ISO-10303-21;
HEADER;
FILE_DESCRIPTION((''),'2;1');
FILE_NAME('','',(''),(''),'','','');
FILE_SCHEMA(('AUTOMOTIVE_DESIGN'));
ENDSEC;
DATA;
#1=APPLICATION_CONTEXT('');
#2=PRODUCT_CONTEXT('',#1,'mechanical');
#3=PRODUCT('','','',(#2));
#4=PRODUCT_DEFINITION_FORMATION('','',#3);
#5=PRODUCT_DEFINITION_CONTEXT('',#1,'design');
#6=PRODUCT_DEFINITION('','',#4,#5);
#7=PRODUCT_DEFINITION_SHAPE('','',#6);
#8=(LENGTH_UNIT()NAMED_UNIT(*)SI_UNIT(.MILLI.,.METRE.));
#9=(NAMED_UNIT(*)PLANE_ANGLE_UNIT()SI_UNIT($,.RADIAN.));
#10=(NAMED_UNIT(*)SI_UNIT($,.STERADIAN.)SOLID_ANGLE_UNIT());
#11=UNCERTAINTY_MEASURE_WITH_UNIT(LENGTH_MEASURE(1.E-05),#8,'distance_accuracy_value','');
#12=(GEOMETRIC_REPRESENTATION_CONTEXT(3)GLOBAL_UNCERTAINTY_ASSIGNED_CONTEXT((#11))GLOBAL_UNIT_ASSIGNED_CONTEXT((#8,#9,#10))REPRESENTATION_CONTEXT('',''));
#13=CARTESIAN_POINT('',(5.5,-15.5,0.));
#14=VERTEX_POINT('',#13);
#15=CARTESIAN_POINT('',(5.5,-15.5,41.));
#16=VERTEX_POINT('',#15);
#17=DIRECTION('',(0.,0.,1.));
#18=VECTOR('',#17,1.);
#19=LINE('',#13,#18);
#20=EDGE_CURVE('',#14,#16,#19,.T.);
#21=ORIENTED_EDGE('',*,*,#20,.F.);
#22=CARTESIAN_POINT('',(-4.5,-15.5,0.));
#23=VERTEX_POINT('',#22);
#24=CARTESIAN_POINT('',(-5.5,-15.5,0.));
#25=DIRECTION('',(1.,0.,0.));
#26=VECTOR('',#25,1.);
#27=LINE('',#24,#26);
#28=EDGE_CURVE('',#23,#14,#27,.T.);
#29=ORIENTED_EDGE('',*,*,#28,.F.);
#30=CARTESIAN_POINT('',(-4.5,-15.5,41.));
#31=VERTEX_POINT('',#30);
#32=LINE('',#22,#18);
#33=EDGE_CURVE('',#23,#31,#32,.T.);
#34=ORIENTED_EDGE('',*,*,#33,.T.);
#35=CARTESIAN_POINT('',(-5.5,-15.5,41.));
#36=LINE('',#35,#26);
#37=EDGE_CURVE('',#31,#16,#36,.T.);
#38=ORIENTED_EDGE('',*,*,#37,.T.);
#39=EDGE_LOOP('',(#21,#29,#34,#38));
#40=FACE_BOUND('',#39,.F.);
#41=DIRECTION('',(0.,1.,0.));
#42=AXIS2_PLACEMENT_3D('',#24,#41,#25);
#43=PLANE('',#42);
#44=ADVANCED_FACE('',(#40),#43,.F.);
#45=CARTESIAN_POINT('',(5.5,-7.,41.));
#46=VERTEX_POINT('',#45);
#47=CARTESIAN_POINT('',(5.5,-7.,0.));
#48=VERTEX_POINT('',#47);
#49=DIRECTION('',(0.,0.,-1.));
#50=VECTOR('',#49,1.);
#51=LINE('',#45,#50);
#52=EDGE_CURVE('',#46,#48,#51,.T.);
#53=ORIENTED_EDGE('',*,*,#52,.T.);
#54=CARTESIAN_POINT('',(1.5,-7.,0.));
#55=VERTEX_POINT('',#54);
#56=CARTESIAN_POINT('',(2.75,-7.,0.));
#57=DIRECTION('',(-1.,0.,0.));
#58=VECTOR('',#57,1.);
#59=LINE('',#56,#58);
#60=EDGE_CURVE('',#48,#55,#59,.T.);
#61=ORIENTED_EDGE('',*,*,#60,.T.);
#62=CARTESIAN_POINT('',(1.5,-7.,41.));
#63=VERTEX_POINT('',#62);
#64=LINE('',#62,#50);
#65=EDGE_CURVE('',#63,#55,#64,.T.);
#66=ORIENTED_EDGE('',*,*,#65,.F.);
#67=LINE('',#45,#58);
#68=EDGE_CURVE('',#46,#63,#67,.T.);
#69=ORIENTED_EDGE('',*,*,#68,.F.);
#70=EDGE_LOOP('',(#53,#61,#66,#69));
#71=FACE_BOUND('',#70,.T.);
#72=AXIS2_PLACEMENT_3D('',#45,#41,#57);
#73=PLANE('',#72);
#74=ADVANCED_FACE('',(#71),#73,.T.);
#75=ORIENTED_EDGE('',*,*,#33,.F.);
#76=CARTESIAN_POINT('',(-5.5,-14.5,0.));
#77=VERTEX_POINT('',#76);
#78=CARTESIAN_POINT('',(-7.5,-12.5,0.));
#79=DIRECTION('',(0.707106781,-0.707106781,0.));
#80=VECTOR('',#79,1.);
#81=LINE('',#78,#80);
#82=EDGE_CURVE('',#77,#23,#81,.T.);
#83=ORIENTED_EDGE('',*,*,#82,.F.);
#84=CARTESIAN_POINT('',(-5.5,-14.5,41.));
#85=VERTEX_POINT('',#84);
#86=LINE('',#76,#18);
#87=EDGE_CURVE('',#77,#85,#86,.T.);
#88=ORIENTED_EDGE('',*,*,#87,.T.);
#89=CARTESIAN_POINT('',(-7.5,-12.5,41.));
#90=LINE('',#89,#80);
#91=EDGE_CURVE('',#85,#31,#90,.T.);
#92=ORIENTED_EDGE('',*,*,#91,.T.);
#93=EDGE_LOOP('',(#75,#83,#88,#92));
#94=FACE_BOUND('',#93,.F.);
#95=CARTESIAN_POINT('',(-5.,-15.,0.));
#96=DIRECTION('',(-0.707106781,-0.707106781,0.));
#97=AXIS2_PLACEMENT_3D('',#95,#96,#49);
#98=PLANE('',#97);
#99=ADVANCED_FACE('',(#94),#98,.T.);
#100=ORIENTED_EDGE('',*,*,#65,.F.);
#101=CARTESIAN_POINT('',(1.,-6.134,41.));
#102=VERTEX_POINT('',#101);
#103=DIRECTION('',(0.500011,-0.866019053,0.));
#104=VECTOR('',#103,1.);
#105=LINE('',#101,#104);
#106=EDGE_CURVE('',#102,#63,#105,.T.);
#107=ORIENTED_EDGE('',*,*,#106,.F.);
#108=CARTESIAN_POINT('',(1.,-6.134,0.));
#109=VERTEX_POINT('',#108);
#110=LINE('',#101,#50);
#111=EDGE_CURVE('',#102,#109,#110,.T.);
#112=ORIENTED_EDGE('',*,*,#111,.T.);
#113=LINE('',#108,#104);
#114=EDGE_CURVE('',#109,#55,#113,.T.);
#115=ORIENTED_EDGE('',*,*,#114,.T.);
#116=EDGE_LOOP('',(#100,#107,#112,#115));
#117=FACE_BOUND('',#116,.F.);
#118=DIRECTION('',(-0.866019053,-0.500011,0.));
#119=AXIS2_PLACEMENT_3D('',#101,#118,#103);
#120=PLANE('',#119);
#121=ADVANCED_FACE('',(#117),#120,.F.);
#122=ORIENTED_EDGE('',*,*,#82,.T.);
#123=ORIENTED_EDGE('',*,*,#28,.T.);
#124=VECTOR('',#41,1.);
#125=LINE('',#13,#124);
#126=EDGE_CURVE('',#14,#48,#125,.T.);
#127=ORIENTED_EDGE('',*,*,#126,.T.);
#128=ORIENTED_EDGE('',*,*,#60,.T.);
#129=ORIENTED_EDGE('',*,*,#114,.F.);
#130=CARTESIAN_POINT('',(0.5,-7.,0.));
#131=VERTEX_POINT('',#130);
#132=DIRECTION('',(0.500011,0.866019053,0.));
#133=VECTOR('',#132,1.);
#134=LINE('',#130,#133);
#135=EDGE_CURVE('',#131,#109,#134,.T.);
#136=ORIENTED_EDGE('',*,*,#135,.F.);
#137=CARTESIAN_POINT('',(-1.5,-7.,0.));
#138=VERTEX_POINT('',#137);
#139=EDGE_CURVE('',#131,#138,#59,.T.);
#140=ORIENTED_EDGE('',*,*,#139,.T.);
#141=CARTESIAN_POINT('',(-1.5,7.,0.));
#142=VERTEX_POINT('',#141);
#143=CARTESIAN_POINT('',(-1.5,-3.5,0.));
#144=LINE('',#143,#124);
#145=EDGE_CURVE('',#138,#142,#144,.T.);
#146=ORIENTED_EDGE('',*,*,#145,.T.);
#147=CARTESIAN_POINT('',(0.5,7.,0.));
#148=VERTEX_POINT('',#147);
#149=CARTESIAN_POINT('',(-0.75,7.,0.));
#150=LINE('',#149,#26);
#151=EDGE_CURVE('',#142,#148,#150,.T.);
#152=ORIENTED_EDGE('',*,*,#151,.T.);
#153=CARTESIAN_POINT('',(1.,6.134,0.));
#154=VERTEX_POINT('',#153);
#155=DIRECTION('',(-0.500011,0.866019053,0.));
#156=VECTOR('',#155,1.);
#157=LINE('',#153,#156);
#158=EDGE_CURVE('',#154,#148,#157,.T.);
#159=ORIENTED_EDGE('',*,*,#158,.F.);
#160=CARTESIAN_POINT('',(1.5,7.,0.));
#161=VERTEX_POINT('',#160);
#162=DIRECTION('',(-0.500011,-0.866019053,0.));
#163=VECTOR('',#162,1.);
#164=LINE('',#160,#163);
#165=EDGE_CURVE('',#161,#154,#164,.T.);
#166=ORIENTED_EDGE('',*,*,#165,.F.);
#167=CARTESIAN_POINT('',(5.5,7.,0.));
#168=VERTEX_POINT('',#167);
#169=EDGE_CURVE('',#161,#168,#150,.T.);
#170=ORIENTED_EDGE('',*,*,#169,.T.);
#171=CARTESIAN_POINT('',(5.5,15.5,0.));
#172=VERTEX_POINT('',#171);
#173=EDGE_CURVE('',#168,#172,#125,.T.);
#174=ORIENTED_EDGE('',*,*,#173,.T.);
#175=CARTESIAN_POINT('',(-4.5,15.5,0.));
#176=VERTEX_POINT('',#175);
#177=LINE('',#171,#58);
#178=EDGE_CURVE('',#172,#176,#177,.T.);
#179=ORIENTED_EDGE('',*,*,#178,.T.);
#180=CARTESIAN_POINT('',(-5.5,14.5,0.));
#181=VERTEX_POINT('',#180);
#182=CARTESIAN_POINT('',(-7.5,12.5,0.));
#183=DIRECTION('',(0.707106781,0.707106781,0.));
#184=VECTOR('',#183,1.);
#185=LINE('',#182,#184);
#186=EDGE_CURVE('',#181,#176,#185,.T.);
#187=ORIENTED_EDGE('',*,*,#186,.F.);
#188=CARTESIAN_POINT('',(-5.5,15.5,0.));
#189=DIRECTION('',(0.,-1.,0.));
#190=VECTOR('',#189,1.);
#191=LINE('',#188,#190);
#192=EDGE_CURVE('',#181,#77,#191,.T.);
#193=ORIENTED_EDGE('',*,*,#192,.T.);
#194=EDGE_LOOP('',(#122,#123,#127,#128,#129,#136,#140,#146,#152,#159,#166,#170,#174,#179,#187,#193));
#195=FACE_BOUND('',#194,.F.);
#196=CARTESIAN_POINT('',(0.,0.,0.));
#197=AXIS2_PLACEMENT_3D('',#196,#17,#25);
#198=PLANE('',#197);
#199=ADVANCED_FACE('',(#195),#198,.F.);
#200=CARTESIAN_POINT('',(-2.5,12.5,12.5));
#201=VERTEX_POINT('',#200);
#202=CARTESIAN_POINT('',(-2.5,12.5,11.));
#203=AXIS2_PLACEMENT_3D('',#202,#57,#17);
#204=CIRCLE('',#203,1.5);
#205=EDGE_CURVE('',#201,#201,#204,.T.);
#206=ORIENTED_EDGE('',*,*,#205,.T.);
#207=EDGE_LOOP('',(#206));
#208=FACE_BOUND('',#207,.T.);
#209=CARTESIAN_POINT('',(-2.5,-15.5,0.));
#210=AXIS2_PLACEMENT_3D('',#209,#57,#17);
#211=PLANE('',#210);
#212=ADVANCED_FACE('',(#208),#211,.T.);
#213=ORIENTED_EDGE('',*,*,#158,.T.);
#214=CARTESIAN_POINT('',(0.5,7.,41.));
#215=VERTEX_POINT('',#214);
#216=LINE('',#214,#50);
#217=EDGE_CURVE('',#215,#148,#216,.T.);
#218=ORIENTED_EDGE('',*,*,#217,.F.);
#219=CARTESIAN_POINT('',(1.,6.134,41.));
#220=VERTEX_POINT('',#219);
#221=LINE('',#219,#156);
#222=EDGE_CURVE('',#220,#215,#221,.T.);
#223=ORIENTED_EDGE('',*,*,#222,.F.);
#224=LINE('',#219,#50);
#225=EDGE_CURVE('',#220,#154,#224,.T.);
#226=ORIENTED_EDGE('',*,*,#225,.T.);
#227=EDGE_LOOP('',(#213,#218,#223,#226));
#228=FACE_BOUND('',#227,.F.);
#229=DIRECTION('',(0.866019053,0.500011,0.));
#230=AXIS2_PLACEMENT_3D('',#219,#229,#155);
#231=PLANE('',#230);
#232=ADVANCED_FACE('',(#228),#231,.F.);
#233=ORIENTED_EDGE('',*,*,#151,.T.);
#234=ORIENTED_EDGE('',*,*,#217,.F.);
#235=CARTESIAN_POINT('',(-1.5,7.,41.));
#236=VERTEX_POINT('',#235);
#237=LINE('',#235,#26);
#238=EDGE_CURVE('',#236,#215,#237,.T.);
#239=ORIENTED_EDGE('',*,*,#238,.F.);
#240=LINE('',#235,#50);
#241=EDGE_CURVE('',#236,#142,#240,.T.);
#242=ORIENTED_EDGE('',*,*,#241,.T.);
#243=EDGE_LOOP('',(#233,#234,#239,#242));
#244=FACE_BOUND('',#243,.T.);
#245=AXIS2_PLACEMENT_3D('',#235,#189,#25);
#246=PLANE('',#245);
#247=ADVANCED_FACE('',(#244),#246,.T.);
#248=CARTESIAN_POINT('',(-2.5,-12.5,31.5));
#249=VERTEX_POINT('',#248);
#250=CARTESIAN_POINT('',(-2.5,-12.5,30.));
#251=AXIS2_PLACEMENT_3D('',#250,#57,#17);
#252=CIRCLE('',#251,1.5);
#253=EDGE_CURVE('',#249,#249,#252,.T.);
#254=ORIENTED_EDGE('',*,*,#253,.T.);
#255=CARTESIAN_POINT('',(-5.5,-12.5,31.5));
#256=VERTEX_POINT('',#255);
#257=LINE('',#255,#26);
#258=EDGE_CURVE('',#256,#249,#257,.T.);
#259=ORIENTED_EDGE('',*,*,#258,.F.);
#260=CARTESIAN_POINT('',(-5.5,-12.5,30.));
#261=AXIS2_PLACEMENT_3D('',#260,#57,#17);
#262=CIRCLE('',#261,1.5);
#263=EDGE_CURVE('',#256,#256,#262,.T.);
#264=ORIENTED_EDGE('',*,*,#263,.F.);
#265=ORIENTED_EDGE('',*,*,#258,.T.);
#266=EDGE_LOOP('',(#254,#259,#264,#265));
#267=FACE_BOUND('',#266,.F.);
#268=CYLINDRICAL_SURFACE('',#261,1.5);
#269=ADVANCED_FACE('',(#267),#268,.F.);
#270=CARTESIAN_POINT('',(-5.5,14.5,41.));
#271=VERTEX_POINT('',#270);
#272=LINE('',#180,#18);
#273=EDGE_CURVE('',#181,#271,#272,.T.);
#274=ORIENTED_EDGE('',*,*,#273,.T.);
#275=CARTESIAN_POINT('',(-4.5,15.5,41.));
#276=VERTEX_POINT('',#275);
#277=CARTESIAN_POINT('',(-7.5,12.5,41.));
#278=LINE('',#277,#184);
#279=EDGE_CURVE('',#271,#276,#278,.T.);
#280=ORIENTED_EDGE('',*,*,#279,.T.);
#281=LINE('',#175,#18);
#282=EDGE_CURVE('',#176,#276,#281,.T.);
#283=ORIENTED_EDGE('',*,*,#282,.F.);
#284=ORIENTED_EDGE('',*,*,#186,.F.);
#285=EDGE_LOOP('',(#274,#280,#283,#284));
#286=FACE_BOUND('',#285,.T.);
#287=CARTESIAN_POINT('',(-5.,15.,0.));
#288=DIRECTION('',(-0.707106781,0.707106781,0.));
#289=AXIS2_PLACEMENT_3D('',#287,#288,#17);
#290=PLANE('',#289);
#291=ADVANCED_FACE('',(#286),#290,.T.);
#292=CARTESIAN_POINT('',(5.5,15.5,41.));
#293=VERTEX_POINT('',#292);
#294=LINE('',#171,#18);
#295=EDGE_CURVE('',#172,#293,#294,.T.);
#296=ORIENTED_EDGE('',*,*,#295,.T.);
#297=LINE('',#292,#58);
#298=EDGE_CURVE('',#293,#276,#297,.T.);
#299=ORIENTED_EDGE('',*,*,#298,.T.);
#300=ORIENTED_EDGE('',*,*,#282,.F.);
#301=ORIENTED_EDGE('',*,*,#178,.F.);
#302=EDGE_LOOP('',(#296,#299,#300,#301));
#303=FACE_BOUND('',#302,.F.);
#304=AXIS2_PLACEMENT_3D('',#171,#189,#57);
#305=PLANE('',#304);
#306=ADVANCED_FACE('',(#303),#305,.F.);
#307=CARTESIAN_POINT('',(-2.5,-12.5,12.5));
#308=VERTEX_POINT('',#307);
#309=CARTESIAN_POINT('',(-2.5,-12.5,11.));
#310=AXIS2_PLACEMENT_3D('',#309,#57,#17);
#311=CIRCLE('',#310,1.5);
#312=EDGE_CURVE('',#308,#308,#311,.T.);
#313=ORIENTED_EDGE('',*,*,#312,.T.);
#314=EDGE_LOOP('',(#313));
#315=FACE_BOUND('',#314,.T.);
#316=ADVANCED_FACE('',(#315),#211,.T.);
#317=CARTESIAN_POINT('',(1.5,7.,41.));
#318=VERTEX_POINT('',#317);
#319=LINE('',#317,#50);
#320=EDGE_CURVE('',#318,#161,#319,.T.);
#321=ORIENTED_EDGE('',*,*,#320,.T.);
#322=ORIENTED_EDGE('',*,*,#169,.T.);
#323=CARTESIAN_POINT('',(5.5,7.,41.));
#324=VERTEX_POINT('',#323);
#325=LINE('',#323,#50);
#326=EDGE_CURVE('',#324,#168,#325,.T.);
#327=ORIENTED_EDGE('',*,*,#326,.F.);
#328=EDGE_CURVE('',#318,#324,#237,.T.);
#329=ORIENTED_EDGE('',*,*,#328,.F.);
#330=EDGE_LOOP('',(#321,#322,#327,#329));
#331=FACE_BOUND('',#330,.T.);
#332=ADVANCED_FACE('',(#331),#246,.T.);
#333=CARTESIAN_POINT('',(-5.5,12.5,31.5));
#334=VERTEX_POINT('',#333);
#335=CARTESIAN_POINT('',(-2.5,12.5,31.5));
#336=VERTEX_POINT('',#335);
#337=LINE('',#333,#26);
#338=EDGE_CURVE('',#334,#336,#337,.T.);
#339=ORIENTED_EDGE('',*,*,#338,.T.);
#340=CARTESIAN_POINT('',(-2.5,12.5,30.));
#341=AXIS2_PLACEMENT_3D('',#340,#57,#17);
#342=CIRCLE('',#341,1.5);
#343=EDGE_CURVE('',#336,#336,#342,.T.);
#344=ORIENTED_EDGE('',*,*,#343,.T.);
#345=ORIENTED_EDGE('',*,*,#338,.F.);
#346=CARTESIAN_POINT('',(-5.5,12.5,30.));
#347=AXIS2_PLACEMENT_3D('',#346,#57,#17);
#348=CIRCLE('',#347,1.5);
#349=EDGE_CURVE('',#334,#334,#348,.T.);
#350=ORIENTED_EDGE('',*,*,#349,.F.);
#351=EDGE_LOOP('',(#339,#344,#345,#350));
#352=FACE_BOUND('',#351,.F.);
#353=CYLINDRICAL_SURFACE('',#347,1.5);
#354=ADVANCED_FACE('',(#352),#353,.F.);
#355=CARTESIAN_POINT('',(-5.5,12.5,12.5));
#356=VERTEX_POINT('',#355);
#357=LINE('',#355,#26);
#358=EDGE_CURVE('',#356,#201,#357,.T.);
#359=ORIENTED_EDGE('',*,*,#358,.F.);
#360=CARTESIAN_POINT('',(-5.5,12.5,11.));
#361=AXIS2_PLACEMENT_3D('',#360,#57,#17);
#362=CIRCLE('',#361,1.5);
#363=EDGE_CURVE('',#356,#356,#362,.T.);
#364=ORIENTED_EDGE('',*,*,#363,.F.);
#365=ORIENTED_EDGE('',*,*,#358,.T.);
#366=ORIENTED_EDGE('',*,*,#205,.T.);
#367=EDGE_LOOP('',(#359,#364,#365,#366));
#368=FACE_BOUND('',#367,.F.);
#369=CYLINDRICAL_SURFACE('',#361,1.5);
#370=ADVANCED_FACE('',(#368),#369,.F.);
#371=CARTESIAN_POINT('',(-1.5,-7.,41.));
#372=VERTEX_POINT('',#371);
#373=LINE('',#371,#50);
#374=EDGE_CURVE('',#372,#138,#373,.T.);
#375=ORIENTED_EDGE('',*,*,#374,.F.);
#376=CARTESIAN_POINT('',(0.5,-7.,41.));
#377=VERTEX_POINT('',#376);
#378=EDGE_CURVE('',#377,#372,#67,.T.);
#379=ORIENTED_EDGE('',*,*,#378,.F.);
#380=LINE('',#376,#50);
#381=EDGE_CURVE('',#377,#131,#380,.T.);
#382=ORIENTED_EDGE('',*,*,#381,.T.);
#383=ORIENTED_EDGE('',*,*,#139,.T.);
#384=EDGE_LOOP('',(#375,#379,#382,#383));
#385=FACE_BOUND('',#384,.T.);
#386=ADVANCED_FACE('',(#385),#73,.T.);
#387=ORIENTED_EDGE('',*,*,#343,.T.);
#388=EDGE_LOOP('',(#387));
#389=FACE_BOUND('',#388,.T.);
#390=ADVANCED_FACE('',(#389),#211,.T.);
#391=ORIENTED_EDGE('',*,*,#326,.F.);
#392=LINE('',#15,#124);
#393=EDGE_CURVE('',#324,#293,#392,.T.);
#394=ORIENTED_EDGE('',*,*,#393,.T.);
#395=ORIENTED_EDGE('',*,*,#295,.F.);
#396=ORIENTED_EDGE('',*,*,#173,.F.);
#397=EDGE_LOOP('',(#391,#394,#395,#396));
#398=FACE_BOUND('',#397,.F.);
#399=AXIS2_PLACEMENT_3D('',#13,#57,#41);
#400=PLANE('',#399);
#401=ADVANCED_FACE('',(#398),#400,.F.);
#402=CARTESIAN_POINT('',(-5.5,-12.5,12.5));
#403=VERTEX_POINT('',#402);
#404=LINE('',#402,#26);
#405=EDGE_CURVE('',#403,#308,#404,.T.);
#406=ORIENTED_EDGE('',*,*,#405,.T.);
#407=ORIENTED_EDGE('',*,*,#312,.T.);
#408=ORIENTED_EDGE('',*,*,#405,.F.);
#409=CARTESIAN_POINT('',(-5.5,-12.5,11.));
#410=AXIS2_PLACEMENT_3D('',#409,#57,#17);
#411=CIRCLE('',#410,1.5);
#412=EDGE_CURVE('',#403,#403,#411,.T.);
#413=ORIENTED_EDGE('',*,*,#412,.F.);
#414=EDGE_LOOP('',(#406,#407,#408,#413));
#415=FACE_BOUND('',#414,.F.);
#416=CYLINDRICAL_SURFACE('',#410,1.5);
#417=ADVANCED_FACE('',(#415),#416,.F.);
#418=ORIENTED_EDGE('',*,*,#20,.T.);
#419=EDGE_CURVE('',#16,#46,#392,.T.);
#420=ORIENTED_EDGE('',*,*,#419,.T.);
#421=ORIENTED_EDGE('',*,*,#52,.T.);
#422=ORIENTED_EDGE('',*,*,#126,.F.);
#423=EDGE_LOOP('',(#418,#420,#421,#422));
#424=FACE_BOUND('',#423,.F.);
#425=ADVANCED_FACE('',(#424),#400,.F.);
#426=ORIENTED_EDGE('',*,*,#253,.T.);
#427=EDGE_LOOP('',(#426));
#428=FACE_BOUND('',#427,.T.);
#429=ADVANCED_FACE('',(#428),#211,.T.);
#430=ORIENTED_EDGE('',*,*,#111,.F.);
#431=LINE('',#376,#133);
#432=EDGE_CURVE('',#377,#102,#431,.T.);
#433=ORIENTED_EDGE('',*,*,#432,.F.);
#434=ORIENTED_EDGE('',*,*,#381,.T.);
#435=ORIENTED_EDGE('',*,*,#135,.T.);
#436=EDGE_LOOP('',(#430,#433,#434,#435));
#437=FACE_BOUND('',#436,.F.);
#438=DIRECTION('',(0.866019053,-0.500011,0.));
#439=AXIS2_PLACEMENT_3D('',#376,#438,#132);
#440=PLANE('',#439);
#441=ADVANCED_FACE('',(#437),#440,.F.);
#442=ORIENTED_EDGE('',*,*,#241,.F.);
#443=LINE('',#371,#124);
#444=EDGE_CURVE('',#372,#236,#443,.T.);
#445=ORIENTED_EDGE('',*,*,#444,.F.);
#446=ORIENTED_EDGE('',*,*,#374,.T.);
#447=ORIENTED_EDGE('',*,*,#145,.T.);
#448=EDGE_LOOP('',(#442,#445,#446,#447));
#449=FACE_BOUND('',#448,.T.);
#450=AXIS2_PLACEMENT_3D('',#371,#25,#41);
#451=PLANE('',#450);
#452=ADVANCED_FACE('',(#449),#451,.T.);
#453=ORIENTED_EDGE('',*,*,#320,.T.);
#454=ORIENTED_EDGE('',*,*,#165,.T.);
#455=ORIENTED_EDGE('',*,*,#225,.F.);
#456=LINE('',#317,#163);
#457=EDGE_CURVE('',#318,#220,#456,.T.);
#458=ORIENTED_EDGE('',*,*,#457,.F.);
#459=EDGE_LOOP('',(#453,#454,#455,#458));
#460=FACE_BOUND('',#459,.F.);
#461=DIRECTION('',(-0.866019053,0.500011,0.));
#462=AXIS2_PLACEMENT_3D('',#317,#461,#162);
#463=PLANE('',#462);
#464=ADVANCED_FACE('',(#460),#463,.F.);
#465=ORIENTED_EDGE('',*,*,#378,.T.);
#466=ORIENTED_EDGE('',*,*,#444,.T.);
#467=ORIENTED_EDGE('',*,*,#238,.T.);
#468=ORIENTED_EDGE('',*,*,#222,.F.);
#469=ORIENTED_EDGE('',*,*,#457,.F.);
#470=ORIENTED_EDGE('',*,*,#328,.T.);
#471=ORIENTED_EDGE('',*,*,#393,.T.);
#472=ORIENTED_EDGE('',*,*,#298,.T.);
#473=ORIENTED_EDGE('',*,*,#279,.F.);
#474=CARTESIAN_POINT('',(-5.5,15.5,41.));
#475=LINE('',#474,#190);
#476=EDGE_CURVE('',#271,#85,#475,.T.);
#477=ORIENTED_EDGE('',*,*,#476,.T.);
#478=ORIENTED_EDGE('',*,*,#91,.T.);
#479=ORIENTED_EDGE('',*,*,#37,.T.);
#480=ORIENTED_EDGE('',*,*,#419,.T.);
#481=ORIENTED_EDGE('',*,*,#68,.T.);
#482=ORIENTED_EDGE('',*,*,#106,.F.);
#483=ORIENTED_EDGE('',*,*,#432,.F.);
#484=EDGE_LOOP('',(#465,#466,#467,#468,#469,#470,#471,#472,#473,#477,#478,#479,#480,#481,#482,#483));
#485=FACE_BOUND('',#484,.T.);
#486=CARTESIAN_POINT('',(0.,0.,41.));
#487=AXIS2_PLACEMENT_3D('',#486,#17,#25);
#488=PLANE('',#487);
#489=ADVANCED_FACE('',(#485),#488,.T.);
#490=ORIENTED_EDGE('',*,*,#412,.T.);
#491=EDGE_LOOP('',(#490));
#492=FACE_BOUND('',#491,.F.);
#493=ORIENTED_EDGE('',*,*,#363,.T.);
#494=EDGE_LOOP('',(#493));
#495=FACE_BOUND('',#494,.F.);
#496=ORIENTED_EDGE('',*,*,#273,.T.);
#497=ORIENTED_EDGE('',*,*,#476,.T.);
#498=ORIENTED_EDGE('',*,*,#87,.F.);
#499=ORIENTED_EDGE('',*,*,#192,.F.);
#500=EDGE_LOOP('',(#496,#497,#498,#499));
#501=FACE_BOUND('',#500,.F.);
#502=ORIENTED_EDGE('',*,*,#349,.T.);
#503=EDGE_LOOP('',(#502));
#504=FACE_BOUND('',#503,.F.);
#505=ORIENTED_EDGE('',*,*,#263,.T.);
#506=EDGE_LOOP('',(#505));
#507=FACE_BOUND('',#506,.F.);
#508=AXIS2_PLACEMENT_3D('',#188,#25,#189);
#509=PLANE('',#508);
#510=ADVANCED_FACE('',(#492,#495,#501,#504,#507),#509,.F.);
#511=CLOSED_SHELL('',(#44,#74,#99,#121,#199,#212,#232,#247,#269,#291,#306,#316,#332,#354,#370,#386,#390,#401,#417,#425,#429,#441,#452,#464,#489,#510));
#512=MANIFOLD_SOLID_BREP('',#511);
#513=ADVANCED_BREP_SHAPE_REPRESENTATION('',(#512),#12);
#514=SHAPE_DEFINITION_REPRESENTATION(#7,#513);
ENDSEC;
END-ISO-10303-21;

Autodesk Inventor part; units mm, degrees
ref_plane "YZ Plane" through (0, 0, 0) normal (1, 0, 0) x (0, 1, 0)
ref_plane "XZ Plane" through (0, 0, 0) normal (0, 1, 0) x (-1, 0, 0)
ref_plane "XY Plane" through (0, 0, 0) normal (0, 0, 1) x (1, 0, 0)
sketch "Sketch1" plane through (0, 0, 0) normal (0, 0, 1) x (1, 0, 0)
  line L0 (-5.5, -15.5) -> (5.5, -15.5)
  line L1 (5.5, -15.5) -> (5.5, 15.5)
  line L2 (5.5, 15.5) -> (-5.5, 15.5)
  line L3 (-5.5, 15.5) -> (-5.5, -15.5)
  line L4 (0, 0) -> (3.6847, 0)
  line L5 (0, 0) -> (0, -8.9349)
  point P0 (5.5, 0)
  point P1 (0, -15.5)
  dimension "d0" = 11
  dimension "d1" = 31
extrude "Extrusion1" add sketch "Sketch1" along normal blind 41
sketch "Sketch2" plane through (0, 0, 41) normal (0, 0, 1) x (1, 0, 0)
  line L0 (5.5, -15.5) -> (5.5, 15.5) projected
  line L1 (5.5, -7) -> (-1.5, -7)
  line L2 (-1.5, -7) -> (-1.5, 7)
  line L3 (-1.5, 7) -> (5.5, 7)
  line L4 (5.5, 7) -> (5.5, -7)
  point P0 (0, 0)
  point P1 (5.5, 0)
  dimension "d4" = 7
  dimension "d5" = 14
extrude "Extrusion2" cut sketch "Sketch2" against normal through all
sketch "Sketch3" plane through (0, 0, 41) normal (0, 0, 1) x (1, 0, 0)
  line L0 (-1.5, 7) -> (5.5, 7) projected
  line L1 (5.5, -7) -> (-1.5, -7) projected
  line L2 (1, 6.134) -> (0.5, 7) projected
  line L3 (0.5, 7) -> (-1.5, 7) projected
  line L4 (-1.5, -7) -> (-1.5, 7) projected
  line L5 (0.5, -7) -> (-1.5, -7) projected
  line L6 (0.5, -7) -> (1, -6.134) projected
  line L7 (1, -6.134) -> (1.5, -7) projected
  line L8 (7.5, -7) -> (1.5, -7) projected
  line L9 (7.5, 7) -> (7.5, -7) projected
  line L10 (7.5, 7) -> (1.5, 7) projected
  line L11 (1.5, 7) -> (1, 6.134) projected
  line L12 (0.5, 7) -> (1.5, 7)
  line L13 (1.5, 7) -> (1, 6.134)
  line L14 (1, 6.134) -> (0.5, 7)
  line L15 (1, -6.134) -> (1.5, -7)
  line L16 (1.5, -7) -> (0.5, -7)
  line L17 (0.5, -7) -> (1, -6.134)
  point P0 (0, 0)
  point P1 (1, 6.7113)
  point P2 (1, -6.7113)
  dimension "d8" = 1
  dimension "d9" = 1
  dimension "d10" = 2
  dimension "d11" = 2
extrude "Extrusion3" add sketch "Sketch3" against normal up to surface (41 mm away) contours L0 L11 L2 | L6 L7 L1
sketch "Sketch4" plane through (-5.5, -15.5, 0) normal (-1, 0, 0) x (0, 0, 1)
  line L0 (0, 0) -> (41, 0) projected
  line L1 (41, 31) -> (41, 0) projected
  line L2 (0, 31) -> (41, 31) projected
  circle A0 centre (30, 3) radius 1.5
  line L3 (41, 15.5) -> (23.6881, 15.5)
  line L4 (20.5, 31) -> (20.5, 20.567)
  circle A1 centre (30, 28) radius 1.5
  circle A2 centre (11, 3) radius 1.5
  circle A3 centre (11, 28) radius 1.5
  point P0 (0, 15.5)
  dimension "d14" = 3
  dimension "d15" = 3
  dimension "d16" = 11
extrude "Extrusion4" cut sketch "Sketch4" against normal blind 3
chamfer "Chamfer1" distance 1 angle 45 2 edges at (-5.5, -15.5, 20.5) (-5.5, 15.5, 20.5)
properties part number "Pen_Holder" material "Steel, Wrought"
